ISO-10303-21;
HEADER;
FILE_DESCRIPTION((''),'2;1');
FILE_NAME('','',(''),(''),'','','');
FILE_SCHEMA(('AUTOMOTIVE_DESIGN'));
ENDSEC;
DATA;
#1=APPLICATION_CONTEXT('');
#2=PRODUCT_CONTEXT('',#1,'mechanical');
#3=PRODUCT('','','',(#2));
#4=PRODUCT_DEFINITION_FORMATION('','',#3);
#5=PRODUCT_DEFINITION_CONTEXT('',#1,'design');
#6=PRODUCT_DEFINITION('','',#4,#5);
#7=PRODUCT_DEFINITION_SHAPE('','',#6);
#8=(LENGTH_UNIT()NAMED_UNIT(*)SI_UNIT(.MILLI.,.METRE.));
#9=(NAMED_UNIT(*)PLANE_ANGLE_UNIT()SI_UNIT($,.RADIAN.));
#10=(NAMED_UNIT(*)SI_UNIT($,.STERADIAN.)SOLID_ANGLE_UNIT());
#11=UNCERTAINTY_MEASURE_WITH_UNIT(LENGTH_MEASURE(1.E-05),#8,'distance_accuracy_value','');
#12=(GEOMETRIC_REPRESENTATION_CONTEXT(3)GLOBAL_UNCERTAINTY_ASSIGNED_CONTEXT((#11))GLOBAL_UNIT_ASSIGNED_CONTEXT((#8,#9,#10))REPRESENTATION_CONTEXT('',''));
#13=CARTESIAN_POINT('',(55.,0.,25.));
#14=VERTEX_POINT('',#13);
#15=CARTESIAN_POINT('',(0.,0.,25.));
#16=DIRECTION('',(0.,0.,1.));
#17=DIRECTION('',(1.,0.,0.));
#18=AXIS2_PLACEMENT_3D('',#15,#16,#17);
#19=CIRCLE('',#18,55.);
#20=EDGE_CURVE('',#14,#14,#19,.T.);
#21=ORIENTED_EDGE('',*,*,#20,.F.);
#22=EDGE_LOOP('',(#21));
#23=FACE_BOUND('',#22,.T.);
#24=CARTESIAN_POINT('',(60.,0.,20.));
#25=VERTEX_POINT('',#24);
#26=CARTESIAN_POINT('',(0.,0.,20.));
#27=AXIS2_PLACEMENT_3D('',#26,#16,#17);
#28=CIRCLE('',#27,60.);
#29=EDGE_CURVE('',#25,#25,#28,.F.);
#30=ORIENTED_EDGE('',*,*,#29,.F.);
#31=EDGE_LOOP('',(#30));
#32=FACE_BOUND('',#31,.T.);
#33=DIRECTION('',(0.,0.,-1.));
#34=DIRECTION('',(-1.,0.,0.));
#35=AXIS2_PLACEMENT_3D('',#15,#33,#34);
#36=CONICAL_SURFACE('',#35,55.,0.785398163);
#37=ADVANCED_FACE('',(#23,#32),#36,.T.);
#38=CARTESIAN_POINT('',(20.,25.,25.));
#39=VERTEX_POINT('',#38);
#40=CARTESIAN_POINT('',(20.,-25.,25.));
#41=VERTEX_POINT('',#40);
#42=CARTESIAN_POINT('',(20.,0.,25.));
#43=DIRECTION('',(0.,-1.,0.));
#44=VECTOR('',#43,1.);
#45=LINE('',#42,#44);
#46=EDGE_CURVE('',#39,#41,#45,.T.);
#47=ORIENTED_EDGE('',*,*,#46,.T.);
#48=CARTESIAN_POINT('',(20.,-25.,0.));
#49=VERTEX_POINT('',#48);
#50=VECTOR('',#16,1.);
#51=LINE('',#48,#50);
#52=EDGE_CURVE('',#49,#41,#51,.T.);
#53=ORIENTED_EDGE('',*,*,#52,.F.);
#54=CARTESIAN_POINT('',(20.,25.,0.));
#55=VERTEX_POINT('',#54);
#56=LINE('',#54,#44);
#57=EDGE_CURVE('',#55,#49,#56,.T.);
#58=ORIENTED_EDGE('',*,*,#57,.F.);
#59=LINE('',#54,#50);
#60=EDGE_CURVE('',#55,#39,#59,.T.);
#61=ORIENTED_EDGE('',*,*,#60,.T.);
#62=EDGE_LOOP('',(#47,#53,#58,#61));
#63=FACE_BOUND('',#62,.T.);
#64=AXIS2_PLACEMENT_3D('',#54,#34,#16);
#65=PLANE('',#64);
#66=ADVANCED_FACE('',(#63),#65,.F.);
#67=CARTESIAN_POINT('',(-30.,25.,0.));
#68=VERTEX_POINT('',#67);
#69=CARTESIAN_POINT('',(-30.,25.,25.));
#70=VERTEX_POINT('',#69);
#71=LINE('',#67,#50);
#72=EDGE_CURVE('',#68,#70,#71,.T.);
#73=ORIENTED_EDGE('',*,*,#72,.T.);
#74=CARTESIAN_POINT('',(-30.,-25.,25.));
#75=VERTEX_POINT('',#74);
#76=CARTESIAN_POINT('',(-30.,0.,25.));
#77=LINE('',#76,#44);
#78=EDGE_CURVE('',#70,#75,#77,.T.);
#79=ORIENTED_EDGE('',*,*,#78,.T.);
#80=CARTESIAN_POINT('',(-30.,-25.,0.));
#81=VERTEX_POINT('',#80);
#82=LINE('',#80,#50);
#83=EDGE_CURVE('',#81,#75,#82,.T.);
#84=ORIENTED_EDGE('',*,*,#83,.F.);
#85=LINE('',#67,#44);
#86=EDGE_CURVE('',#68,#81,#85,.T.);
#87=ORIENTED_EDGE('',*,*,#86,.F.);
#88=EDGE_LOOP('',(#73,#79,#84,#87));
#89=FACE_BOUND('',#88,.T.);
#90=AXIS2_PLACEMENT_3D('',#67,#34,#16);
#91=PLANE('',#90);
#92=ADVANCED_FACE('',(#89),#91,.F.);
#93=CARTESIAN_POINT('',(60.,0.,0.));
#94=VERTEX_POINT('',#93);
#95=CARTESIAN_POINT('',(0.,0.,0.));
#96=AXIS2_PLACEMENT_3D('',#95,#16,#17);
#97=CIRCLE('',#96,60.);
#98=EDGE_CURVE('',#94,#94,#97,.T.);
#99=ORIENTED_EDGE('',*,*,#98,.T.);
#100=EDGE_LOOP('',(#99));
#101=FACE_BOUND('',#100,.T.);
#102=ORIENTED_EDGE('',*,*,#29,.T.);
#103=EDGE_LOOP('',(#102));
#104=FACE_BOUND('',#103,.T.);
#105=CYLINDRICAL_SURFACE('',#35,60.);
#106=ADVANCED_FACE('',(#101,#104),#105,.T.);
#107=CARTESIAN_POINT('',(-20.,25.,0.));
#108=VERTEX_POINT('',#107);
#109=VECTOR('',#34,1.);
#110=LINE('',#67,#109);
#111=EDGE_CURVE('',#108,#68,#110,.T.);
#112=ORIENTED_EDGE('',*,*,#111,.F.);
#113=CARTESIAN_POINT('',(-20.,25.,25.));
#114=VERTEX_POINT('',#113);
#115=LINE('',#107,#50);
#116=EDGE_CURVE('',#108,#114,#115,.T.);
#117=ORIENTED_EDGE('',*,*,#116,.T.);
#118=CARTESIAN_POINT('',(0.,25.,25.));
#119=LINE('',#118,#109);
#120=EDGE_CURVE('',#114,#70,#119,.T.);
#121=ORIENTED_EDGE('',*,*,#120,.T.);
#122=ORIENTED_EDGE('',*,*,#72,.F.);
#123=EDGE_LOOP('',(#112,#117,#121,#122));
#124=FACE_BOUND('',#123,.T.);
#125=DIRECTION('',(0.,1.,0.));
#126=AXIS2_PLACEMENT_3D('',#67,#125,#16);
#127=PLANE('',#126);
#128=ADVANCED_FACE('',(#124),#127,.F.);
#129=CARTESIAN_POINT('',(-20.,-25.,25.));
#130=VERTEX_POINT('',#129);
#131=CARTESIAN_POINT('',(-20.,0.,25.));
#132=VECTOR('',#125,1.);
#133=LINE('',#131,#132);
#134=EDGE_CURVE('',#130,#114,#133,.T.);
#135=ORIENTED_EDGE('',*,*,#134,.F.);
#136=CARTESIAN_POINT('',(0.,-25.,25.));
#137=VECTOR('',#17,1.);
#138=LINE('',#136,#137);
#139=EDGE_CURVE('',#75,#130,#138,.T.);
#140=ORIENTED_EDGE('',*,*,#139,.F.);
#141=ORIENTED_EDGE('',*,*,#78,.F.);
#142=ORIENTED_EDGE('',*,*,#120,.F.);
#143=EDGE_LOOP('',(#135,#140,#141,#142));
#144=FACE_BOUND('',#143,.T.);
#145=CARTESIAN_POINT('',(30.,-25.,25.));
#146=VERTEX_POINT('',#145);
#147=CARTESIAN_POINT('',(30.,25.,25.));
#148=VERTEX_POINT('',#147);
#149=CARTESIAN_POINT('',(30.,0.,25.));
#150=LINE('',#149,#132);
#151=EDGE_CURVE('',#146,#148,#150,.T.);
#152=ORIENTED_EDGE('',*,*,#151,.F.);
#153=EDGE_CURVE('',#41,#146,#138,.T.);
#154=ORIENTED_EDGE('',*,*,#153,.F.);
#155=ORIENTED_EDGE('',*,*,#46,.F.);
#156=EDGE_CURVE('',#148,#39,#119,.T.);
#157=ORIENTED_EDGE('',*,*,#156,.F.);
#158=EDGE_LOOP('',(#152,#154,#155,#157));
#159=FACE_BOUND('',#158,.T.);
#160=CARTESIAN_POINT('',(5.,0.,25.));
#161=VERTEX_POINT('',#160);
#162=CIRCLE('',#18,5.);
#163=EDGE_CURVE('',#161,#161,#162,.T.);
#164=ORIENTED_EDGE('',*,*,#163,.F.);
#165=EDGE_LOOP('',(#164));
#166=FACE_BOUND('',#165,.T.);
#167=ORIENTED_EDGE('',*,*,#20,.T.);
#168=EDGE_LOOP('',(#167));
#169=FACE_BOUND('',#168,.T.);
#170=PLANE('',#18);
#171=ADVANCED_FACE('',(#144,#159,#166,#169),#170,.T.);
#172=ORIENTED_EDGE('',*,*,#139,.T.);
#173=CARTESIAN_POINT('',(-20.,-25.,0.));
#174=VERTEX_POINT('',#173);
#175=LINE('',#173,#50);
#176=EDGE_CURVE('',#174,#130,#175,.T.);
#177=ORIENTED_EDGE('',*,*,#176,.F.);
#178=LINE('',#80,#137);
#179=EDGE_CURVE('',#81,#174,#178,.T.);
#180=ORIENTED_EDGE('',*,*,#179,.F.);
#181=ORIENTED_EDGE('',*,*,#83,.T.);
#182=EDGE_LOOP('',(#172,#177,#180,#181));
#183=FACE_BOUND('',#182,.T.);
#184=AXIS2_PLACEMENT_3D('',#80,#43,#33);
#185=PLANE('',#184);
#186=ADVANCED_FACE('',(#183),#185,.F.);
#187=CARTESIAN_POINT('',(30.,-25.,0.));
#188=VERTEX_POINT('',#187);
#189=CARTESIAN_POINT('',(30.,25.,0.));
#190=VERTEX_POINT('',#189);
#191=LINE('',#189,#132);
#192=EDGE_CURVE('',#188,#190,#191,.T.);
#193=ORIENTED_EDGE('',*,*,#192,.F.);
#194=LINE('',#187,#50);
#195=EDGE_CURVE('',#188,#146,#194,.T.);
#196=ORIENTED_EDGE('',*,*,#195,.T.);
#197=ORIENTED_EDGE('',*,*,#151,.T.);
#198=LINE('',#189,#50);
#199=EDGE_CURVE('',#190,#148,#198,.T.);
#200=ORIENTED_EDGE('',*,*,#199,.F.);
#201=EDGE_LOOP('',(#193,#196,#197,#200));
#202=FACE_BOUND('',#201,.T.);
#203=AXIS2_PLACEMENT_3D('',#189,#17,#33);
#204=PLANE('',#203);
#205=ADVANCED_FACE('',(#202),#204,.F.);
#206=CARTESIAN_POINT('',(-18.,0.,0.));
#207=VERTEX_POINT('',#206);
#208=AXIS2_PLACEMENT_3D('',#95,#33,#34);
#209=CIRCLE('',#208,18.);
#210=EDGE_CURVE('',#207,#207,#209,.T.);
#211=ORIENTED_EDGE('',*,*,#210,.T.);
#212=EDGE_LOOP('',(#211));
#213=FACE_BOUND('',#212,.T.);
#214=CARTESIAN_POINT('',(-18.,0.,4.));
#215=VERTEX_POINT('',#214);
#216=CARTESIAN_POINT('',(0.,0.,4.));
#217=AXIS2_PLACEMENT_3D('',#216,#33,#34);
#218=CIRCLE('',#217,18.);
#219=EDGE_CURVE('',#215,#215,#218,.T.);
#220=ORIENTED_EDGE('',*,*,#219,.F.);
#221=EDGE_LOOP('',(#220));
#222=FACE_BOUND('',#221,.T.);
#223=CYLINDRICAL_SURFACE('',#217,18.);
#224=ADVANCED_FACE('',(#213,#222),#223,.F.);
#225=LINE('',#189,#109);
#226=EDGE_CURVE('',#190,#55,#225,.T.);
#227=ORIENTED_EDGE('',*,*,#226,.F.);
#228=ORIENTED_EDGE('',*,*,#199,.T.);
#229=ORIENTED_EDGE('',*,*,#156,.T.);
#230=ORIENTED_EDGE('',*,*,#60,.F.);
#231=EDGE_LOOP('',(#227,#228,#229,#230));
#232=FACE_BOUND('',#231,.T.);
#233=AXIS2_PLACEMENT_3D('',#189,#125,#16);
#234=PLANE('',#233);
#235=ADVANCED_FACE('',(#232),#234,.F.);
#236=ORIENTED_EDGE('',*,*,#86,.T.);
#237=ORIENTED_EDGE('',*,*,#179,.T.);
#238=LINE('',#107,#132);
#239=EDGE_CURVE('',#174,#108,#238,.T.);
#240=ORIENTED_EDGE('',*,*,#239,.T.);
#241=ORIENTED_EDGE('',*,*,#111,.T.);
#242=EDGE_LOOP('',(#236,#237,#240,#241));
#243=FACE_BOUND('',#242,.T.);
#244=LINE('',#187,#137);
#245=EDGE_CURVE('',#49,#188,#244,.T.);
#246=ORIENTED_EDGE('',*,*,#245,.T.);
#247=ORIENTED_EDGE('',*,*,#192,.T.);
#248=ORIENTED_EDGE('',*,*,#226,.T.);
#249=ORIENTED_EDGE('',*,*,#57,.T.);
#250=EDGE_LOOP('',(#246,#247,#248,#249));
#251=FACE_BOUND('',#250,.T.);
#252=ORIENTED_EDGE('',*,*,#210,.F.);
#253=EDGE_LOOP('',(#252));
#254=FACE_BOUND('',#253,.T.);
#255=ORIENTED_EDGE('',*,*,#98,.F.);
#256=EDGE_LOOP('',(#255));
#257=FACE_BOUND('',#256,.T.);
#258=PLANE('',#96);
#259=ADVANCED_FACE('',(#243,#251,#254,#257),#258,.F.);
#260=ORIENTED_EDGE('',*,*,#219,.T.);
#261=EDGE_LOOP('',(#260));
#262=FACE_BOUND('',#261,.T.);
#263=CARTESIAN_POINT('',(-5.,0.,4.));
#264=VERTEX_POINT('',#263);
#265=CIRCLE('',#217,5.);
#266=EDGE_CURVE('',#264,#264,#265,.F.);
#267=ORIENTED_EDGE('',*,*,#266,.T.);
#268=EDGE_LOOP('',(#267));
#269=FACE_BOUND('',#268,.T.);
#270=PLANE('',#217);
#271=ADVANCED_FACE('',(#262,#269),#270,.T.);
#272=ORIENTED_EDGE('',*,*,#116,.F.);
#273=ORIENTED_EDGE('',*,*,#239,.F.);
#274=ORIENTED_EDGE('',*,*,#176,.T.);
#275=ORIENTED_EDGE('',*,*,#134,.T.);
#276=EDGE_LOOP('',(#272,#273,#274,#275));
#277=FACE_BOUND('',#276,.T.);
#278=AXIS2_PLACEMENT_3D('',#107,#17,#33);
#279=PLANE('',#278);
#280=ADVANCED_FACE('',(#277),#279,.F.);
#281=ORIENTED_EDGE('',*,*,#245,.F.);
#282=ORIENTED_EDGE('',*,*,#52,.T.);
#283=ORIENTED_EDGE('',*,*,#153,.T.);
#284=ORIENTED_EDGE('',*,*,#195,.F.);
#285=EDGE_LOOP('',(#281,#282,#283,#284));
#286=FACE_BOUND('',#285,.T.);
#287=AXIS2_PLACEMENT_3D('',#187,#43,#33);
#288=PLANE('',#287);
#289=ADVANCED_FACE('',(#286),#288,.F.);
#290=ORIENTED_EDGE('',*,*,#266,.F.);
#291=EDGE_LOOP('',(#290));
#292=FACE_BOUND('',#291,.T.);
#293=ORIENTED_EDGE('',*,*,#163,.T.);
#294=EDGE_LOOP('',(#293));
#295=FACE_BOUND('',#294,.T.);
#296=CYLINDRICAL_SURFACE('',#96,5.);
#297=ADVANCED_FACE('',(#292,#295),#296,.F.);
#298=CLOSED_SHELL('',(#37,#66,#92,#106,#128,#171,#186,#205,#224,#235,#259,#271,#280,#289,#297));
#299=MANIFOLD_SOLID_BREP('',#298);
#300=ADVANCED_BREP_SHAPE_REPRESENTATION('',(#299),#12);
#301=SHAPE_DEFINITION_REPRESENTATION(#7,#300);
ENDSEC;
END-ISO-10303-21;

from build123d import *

# Parameters (mm, degrees)
ESQUISSE1_R                  = 60
BOSS_EXTRU_1_DEPTH           = 25
ENL_V_MAT_EXTRU_1_DEPTH      = 89.459030065
ENL_V_MAT_EXTRU_1_DEPTH_BACK = 89.459030065
ESQUISSE2_W                  = 10
ESQUISSE2_H                  = 50
CHANFREIN1_SIZE              = 5
ENL_V_MAT_EXTRU_2_DEPTH      = 89.459030065
ENL_V_MAT_EXTRU_2_DEPTH_BACK = 89.459030065
ESQUISSE3_R                  = 5
ESQUISSE4_R                  = 18
ENL_V_MAT_EXTRU_3_DEPTH      = 4


with BuildPart() as part:
    # Esquisse1 → Boss.-Extru.1 (new body)
    with BuildSketch(Plane.XY):
        Circle(ESQUISSE1_R)
    extrude(amount=BOSS_EXTRU_1_DEPTH)

    # Esquisse2 → Enlèv. mat.-Extru.1 (cut, two sides: drawn at the far end of the back side and taken through both)
    with BuildSketch(Plane.XY.offset(25).offset(-ENL_V_MAT_EXTRU_1_DEPTH_BACK)):
        with Locations((-25, 0)):
            Rectangle(ESQUISSE2_W, ESQUISSE2_H)
        with Locations((25, 0)):
            Rectangle(ESQUISSE2_W, ESQUISSE2_H)
    extrude(amount=ENL_V_MAT_EXTRU_1_DEPTH + ENL_V_MAT_EXTRU_1_DEPTH_BACK, mode=Mode.SUBTRACT)

    # Chanfrein1
    chanfrein1_edges = [part.edges().sort_by_distance(p)[0] for p in [
        (-60, 0, 25),
    ]]
    chamfer(chanfrein1_edges, length=CHANFREIN1_SIZE)

    # Esquisse3 → Enlèv. mat.-Extru.2 (cut, two sides: drawn at the far end of the back side and taken through both)
    with BuildSketch(Plane.XY.offset(25).offset(-ENL_V_MAT_EXTRU_2_DEPTH_BACK)):
        Circle(ESQUISSE3_R)
    extrude(amount=ENL_V_MAT_EXTRU_2_DEPTH + ENL_V_MAT_EXTRU_2_DEPTH_BACK, mode=Mode.SUBTRACT)

    # Esquisse4 → Enlèv. mat.-Extru.3 (cut)
    with BuildSketch(Plane(origin=(0, 0, 0), x_dir=(-1, 0, 0), z_dir=(0, 0, -1))):
        Circle(ESQUISSE4_R)
    extrude(amount=-ENL_V_MAT_EXTRU_3_DEPTH, mode=Mode.SUBTRACT)


solid = part.part
